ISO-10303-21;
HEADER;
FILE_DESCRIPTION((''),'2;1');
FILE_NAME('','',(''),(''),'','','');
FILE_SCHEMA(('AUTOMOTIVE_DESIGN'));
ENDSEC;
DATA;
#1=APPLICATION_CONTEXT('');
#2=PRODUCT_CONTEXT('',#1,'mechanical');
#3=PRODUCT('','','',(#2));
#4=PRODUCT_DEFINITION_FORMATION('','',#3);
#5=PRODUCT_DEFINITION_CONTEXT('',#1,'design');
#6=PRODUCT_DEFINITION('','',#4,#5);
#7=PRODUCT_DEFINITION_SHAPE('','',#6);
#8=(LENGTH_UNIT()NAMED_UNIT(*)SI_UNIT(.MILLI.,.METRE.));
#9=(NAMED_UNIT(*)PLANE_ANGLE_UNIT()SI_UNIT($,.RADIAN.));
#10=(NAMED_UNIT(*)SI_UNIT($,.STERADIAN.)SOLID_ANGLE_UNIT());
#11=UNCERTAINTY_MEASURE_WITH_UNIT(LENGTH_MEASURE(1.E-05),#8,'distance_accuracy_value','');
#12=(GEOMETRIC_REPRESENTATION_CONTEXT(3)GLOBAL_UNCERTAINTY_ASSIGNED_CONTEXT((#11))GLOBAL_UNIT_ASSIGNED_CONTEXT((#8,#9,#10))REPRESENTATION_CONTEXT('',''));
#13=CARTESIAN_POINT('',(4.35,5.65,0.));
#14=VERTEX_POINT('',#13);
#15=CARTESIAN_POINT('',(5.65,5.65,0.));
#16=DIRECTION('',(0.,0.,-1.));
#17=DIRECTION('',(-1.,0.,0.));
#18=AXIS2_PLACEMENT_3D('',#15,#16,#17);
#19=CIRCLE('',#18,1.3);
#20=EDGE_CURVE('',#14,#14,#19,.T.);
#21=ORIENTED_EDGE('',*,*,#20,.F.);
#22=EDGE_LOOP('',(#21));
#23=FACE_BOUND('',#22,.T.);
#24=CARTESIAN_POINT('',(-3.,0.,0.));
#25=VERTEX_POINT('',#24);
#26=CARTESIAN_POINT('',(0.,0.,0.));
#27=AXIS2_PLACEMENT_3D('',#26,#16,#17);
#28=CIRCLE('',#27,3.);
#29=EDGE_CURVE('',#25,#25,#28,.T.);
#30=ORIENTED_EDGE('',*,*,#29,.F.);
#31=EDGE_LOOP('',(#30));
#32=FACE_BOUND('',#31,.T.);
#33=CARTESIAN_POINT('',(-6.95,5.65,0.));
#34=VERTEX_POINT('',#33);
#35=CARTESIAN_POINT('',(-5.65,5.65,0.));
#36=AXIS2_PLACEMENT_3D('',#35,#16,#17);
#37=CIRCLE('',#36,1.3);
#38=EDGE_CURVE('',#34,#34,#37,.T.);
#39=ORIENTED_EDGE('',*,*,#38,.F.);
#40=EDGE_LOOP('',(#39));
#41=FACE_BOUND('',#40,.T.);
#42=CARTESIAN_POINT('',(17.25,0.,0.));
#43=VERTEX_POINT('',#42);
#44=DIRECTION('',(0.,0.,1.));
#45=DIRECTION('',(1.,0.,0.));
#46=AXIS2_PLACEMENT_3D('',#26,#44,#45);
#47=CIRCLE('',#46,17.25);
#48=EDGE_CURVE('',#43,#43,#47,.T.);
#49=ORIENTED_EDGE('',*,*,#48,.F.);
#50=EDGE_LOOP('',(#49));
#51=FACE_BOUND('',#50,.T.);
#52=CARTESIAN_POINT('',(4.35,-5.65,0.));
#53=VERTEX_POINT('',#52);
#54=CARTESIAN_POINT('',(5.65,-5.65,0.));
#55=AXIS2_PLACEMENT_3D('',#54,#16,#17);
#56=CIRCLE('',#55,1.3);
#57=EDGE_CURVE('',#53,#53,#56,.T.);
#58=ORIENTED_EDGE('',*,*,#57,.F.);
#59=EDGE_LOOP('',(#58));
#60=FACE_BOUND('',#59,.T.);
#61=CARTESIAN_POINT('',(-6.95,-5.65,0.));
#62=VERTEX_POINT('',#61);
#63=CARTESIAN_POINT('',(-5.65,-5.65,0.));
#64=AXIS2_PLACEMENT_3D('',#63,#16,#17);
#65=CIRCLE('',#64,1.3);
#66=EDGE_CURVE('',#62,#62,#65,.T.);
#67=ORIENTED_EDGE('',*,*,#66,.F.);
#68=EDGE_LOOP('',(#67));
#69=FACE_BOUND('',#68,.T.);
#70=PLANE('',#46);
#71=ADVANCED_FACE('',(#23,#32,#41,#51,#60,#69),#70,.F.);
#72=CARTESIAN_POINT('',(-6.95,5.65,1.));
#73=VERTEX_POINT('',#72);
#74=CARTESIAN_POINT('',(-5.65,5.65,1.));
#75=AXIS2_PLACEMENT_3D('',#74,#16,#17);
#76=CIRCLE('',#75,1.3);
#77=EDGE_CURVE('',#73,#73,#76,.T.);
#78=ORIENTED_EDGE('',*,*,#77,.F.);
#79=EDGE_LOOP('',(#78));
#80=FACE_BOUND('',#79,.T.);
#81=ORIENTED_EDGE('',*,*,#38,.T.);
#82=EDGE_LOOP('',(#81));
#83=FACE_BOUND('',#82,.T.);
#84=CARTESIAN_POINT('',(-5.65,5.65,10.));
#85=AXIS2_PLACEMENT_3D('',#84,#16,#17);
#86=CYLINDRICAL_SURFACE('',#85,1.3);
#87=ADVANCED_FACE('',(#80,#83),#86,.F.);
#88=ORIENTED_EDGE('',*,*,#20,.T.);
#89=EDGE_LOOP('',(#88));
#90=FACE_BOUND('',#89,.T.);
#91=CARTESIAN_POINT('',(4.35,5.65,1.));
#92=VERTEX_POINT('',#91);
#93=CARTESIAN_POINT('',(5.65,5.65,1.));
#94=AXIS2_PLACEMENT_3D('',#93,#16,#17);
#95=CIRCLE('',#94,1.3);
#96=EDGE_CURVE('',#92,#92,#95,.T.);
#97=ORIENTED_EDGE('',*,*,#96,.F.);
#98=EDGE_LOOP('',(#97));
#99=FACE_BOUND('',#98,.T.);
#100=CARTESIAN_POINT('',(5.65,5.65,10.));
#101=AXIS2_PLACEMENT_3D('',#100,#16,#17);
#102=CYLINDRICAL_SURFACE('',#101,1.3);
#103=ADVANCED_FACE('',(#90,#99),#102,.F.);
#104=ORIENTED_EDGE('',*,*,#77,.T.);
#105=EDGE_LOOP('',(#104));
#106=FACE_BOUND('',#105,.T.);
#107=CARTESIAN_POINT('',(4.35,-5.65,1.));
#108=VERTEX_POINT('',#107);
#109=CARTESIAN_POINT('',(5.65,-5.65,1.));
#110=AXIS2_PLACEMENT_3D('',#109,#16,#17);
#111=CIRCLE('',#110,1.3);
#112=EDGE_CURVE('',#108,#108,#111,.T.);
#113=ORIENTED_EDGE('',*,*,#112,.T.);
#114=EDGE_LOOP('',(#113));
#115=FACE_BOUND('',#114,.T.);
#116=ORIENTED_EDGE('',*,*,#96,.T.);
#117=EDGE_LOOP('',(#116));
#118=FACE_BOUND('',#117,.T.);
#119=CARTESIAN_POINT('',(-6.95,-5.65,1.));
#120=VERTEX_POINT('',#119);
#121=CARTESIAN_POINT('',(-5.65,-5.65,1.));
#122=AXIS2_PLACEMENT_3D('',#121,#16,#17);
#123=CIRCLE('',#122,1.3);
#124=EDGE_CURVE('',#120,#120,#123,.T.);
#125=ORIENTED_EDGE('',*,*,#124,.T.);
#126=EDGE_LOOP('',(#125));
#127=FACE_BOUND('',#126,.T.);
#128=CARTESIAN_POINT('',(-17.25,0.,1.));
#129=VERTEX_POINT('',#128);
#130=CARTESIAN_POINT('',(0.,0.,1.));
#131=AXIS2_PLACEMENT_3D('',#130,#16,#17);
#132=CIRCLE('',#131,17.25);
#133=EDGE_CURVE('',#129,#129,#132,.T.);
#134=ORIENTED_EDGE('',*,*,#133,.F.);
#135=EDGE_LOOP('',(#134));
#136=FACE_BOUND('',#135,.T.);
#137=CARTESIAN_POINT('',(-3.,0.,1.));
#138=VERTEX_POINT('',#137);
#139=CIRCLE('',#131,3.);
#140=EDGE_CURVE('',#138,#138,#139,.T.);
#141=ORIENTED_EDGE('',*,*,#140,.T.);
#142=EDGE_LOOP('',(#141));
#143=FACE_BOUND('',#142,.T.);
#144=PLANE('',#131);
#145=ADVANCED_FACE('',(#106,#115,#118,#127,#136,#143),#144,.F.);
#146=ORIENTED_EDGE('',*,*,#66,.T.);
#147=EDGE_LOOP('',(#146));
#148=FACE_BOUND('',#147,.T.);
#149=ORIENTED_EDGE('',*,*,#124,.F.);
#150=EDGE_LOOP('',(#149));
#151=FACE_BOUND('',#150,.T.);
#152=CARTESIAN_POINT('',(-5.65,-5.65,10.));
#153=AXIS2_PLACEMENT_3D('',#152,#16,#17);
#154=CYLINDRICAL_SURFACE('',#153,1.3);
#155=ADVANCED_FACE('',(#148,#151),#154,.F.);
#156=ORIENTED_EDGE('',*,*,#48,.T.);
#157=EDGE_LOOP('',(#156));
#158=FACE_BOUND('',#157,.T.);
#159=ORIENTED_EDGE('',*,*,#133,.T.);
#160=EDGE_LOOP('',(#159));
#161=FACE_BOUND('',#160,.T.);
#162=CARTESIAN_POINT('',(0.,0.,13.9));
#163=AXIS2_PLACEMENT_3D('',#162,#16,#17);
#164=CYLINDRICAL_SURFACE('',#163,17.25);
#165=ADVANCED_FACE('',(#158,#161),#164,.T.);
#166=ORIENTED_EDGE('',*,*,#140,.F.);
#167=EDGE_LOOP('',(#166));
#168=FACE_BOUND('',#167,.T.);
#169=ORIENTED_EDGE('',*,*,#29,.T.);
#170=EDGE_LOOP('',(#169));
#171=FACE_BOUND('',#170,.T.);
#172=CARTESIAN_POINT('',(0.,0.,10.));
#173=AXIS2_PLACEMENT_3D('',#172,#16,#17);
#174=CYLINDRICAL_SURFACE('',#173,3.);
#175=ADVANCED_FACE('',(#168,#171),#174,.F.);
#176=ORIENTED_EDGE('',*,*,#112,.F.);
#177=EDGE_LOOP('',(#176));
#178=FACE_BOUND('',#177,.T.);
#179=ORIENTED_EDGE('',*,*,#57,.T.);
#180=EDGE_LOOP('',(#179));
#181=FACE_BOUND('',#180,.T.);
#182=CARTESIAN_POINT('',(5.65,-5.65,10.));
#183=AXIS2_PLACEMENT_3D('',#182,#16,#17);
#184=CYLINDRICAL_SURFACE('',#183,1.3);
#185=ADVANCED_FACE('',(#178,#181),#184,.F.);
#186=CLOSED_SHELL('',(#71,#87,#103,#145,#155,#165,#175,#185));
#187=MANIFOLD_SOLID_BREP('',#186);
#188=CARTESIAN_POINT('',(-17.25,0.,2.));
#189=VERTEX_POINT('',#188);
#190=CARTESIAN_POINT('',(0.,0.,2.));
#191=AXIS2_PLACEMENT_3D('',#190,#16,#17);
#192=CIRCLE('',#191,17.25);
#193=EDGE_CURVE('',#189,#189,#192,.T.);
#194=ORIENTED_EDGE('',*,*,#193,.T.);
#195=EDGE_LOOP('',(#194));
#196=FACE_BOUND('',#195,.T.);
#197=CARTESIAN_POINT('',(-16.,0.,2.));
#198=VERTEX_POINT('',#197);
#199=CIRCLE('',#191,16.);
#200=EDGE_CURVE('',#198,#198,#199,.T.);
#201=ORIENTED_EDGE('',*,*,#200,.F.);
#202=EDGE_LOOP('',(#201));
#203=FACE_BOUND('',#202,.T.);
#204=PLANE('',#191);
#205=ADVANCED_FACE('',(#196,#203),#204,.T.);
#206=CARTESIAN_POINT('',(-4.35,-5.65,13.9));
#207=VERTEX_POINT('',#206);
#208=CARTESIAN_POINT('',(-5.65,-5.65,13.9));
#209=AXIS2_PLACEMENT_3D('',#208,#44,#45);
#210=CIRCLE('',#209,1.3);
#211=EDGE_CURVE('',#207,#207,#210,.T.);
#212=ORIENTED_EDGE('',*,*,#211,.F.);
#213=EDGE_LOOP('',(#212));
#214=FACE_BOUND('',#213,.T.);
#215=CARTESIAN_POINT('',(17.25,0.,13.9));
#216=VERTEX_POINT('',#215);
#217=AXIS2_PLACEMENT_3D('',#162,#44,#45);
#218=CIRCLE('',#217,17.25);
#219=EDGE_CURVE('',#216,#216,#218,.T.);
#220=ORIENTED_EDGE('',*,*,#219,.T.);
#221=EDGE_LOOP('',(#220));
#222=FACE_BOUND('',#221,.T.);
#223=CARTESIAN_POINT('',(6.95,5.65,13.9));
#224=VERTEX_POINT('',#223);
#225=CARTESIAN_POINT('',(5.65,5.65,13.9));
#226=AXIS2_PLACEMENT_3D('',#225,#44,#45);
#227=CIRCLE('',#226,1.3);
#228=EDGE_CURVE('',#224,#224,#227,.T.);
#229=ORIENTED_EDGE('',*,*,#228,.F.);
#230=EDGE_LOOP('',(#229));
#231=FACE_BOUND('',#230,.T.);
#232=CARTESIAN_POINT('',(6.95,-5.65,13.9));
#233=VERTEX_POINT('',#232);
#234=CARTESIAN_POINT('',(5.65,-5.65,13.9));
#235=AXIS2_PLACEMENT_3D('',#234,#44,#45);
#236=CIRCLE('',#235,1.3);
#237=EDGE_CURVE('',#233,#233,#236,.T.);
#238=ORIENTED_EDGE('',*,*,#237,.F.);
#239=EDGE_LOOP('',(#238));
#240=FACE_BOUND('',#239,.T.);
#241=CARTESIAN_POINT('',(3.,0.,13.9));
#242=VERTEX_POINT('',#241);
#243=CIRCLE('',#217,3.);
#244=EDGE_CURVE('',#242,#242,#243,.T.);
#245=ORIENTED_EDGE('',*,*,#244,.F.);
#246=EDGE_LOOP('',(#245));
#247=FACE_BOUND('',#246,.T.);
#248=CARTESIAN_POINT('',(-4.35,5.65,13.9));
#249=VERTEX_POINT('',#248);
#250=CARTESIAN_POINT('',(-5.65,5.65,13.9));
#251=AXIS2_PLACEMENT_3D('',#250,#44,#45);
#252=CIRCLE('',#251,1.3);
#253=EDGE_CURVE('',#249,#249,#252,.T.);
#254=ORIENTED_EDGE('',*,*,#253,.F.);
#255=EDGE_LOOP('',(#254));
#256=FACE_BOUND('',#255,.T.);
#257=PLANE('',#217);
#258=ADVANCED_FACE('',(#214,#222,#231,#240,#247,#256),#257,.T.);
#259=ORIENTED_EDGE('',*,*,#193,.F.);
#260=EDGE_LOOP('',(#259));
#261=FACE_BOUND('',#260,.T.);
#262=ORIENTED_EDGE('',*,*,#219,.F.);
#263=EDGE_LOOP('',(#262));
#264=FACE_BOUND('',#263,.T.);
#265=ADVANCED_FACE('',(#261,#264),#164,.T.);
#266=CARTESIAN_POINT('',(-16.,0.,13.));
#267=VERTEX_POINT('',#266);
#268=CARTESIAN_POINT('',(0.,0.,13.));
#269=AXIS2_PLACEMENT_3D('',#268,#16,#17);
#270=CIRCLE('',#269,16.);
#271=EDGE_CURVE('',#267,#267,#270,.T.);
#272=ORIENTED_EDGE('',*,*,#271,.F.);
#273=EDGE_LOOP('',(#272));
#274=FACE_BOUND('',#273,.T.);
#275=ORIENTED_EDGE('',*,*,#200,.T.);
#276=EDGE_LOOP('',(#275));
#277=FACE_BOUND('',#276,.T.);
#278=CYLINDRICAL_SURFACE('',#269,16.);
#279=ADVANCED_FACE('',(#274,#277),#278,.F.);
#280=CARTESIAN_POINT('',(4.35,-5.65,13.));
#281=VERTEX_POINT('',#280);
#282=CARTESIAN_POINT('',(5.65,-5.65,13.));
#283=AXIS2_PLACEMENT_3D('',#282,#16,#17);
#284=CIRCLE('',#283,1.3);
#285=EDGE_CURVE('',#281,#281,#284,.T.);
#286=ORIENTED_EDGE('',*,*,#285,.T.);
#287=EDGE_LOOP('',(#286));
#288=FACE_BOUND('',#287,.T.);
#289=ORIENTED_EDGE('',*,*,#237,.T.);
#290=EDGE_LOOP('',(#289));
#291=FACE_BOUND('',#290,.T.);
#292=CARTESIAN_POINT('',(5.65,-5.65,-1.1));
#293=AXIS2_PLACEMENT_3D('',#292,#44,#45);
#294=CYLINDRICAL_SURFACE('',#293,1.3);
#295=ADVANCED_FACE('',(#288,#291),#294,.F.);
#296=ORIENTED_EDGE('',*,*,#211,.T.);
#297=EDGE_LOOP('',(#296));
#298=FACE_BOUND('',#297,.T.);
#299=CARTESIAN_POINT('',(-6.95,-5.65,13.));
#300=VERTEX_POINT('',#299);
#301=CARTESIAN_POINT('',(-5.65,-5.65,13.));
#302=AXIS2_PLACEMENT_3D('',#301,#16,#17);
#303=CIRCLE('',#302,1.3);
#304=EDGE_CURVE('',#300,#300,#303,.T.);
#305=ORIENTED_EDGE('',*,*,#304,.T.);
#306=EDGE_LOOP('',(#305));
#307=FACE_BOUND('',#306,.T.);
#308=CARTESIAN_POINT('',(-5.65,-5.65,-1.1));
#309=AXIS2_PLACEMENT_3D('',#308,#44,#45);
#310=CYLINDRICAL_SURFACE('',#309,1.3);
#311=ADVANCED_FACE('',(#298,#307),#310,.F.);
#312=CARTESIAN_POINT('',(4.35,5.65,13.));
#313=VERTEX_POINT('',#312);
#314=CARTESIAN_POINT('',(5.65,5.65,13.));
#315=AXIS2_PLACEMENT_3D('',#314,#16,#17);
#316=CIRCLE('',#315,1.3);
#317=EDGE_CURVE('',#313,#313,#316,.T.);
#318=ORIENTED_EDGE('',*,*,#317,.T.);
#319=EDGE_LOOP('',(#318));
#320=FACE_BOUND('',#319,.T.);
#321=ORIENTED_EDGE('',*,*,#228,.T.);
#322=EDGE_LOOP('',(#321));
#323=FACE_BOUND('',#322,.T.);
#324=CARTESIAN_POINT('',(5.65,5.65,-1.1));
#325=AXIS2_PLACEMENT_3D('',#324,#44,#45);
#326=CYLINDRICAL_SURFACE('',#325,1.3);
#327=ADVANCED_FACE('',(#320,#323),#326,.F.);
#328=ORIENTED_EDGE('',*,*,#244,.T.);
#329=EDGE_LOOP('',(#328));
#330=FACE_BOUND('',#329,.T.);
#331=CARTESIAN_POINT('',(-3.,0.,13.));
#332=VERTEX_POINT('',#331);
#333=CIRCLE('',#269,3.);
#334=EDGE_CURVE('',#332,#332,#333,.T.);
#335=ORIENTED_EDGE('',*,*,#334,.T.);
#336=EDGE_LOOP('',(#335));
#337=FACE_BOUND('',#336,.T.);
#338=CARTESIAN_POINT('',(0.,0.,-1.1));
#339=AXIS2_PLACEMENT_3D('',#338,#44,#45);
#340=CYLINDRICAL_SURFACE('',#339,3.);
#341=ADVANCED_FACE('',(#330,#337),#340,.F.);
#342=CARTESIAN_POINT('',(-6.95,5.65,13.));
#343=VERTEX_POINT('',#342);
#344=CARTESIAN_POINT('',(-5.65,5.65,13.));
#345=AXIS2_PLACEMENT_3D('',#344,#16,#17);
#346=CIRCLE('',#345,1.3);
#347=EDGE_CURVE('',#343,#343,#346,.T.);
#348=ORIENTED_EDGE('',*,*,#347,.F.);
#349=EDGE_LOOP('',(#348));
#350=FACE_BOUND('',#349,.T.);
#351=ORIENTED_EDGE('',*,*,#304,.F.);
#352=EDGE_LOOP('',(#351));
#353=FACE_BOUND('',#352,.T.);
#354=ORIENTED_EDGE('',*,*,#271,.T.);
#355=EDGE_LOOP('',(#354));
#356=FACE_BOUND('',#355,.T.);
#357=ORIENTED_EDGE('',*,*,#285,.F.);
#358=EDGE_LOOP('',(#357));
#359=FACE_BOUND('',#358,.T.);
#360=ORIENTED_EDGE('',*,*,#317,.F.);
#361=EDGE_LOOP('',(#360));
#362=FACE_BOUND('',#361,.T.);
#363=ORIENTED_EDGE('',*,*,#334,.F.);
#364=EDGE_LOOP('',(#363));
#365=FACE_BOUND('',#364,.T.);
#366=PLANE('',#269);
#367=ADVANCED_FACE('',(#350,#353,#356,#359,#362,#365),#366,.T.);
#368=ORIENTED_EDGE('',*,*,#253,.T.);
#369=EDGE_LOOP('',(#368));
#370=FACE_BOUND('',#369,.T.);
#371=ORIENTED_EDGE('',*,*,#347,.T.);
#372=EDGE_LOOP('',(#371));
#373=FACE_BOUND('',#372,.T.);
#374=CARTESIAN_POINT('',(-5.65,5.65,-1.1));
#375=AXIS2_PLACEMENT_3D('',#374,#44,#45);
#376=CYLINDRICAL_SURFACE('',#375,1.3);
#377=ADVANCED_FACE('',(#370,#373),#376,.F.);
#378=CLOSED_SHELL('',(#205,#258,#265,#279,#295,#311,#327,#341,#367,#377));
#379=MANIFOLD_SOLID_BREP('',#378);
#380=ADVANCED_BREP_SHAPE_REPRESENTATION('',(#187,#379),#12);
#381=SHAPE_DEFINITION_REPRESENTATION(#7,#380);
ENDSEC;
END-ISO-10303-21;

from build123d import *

# Parameters (mm, degrees)
SKETCH_1_R          = 17.25
EXTRUDE_1_DEPTH     = 13.9
SKETCH_3_R          = 17.25
CUT_EXTRUDE_2_DEPTH = 1
SKETCH_4_R          = 16
CUT_EXTRUDE_4_DEPTH = 11
SKETCH_5_R          = 1.3
SKETCH_5_R_2        = 3
CUT_EXTRUDE_5_DEPTH = 7.5
SKETCH_6_R          = 1.3
SKETCH_6_R_2        = 3
CUT_EXTRUDE_6_DEPTH = 10


with BuildPart() as part:
    # 草图1 → 凸台-拉伸1 (new body)
    with BuildSketch(Plane.XY):
        Circle(SKETCH_1_R)
    extrude(amount=EXTRUDE_1_DEPTH)

    # 草图3 → 切除-拉伸2 (cut)
    with BuildSketch(Plane(origin=(0, 0, 1), x_dir=(-1, 0, 0), z_dir=(0, 0, -1))):
        Circle(SKETCH_3_R)
    extrude(amount=-CUT_EXTRUDE_2_DEPTH, mode=Mode.SUBTRACT)

    # 草图4 → 切除-拉伸4 (cut)
    with BuildSketch(Plane(origin=(0, 0, 2), x_dir=(-1, 0, 0), z_dir=(0, 0, -1))):
        Circle(SKETCH_4_R)
    extrude(amount=-CUT_EXTRUDE_4_DEPTH, mode=Mode.SUBTRACT)

    # 草图5 → 切除-拉伸5 (cut, symmetric)
    with BuildSketch(Plane.XY.offset(13.9)):
        with Locations((5.65, 5.65)):
            Circle(SKETCH_5_R)
        with Locations((5.65, -5.65)):
            Circle(SKETCH_5_R)
        with Locations((-5.65, -5.65)):
            Circle(SKETCH_5_R)
        with Locations((-5.65, 5.65)):
            Circle(SKETCH_5_R)
        Circle(SKETCH_5_R_2)
    extrude(amount=CUT_EXTRUDE_5_DEPTH, both=True, mode=Mode.SUBTRACT)

    # 草图6 → 切除-拉伸6 (cut)
    with BuildSketch(Plane(origin=(0, 0, 0), x_dir=(-1, 0, 0), z_dir=(0, 0, -1))):
        with Locations((-5.65, 5.65)):
            Circle(SKETCH_6_R)
        with Locations((5.65, 5.65)):
            Circle(SKETCH_6_R)
        with Locations((5.65, -5.65)):
            Circle(SKETCH_6_R)
        with Locations((-5.65, -5.65)):
            Circle(SKETCH_6_R)
        Circle(SKETCH_6_R_2)
    extrude(amount=-CUT_EXTRUDE_6_DEPTH, mode=Mode.SUBTRACT)


solid = part.part
